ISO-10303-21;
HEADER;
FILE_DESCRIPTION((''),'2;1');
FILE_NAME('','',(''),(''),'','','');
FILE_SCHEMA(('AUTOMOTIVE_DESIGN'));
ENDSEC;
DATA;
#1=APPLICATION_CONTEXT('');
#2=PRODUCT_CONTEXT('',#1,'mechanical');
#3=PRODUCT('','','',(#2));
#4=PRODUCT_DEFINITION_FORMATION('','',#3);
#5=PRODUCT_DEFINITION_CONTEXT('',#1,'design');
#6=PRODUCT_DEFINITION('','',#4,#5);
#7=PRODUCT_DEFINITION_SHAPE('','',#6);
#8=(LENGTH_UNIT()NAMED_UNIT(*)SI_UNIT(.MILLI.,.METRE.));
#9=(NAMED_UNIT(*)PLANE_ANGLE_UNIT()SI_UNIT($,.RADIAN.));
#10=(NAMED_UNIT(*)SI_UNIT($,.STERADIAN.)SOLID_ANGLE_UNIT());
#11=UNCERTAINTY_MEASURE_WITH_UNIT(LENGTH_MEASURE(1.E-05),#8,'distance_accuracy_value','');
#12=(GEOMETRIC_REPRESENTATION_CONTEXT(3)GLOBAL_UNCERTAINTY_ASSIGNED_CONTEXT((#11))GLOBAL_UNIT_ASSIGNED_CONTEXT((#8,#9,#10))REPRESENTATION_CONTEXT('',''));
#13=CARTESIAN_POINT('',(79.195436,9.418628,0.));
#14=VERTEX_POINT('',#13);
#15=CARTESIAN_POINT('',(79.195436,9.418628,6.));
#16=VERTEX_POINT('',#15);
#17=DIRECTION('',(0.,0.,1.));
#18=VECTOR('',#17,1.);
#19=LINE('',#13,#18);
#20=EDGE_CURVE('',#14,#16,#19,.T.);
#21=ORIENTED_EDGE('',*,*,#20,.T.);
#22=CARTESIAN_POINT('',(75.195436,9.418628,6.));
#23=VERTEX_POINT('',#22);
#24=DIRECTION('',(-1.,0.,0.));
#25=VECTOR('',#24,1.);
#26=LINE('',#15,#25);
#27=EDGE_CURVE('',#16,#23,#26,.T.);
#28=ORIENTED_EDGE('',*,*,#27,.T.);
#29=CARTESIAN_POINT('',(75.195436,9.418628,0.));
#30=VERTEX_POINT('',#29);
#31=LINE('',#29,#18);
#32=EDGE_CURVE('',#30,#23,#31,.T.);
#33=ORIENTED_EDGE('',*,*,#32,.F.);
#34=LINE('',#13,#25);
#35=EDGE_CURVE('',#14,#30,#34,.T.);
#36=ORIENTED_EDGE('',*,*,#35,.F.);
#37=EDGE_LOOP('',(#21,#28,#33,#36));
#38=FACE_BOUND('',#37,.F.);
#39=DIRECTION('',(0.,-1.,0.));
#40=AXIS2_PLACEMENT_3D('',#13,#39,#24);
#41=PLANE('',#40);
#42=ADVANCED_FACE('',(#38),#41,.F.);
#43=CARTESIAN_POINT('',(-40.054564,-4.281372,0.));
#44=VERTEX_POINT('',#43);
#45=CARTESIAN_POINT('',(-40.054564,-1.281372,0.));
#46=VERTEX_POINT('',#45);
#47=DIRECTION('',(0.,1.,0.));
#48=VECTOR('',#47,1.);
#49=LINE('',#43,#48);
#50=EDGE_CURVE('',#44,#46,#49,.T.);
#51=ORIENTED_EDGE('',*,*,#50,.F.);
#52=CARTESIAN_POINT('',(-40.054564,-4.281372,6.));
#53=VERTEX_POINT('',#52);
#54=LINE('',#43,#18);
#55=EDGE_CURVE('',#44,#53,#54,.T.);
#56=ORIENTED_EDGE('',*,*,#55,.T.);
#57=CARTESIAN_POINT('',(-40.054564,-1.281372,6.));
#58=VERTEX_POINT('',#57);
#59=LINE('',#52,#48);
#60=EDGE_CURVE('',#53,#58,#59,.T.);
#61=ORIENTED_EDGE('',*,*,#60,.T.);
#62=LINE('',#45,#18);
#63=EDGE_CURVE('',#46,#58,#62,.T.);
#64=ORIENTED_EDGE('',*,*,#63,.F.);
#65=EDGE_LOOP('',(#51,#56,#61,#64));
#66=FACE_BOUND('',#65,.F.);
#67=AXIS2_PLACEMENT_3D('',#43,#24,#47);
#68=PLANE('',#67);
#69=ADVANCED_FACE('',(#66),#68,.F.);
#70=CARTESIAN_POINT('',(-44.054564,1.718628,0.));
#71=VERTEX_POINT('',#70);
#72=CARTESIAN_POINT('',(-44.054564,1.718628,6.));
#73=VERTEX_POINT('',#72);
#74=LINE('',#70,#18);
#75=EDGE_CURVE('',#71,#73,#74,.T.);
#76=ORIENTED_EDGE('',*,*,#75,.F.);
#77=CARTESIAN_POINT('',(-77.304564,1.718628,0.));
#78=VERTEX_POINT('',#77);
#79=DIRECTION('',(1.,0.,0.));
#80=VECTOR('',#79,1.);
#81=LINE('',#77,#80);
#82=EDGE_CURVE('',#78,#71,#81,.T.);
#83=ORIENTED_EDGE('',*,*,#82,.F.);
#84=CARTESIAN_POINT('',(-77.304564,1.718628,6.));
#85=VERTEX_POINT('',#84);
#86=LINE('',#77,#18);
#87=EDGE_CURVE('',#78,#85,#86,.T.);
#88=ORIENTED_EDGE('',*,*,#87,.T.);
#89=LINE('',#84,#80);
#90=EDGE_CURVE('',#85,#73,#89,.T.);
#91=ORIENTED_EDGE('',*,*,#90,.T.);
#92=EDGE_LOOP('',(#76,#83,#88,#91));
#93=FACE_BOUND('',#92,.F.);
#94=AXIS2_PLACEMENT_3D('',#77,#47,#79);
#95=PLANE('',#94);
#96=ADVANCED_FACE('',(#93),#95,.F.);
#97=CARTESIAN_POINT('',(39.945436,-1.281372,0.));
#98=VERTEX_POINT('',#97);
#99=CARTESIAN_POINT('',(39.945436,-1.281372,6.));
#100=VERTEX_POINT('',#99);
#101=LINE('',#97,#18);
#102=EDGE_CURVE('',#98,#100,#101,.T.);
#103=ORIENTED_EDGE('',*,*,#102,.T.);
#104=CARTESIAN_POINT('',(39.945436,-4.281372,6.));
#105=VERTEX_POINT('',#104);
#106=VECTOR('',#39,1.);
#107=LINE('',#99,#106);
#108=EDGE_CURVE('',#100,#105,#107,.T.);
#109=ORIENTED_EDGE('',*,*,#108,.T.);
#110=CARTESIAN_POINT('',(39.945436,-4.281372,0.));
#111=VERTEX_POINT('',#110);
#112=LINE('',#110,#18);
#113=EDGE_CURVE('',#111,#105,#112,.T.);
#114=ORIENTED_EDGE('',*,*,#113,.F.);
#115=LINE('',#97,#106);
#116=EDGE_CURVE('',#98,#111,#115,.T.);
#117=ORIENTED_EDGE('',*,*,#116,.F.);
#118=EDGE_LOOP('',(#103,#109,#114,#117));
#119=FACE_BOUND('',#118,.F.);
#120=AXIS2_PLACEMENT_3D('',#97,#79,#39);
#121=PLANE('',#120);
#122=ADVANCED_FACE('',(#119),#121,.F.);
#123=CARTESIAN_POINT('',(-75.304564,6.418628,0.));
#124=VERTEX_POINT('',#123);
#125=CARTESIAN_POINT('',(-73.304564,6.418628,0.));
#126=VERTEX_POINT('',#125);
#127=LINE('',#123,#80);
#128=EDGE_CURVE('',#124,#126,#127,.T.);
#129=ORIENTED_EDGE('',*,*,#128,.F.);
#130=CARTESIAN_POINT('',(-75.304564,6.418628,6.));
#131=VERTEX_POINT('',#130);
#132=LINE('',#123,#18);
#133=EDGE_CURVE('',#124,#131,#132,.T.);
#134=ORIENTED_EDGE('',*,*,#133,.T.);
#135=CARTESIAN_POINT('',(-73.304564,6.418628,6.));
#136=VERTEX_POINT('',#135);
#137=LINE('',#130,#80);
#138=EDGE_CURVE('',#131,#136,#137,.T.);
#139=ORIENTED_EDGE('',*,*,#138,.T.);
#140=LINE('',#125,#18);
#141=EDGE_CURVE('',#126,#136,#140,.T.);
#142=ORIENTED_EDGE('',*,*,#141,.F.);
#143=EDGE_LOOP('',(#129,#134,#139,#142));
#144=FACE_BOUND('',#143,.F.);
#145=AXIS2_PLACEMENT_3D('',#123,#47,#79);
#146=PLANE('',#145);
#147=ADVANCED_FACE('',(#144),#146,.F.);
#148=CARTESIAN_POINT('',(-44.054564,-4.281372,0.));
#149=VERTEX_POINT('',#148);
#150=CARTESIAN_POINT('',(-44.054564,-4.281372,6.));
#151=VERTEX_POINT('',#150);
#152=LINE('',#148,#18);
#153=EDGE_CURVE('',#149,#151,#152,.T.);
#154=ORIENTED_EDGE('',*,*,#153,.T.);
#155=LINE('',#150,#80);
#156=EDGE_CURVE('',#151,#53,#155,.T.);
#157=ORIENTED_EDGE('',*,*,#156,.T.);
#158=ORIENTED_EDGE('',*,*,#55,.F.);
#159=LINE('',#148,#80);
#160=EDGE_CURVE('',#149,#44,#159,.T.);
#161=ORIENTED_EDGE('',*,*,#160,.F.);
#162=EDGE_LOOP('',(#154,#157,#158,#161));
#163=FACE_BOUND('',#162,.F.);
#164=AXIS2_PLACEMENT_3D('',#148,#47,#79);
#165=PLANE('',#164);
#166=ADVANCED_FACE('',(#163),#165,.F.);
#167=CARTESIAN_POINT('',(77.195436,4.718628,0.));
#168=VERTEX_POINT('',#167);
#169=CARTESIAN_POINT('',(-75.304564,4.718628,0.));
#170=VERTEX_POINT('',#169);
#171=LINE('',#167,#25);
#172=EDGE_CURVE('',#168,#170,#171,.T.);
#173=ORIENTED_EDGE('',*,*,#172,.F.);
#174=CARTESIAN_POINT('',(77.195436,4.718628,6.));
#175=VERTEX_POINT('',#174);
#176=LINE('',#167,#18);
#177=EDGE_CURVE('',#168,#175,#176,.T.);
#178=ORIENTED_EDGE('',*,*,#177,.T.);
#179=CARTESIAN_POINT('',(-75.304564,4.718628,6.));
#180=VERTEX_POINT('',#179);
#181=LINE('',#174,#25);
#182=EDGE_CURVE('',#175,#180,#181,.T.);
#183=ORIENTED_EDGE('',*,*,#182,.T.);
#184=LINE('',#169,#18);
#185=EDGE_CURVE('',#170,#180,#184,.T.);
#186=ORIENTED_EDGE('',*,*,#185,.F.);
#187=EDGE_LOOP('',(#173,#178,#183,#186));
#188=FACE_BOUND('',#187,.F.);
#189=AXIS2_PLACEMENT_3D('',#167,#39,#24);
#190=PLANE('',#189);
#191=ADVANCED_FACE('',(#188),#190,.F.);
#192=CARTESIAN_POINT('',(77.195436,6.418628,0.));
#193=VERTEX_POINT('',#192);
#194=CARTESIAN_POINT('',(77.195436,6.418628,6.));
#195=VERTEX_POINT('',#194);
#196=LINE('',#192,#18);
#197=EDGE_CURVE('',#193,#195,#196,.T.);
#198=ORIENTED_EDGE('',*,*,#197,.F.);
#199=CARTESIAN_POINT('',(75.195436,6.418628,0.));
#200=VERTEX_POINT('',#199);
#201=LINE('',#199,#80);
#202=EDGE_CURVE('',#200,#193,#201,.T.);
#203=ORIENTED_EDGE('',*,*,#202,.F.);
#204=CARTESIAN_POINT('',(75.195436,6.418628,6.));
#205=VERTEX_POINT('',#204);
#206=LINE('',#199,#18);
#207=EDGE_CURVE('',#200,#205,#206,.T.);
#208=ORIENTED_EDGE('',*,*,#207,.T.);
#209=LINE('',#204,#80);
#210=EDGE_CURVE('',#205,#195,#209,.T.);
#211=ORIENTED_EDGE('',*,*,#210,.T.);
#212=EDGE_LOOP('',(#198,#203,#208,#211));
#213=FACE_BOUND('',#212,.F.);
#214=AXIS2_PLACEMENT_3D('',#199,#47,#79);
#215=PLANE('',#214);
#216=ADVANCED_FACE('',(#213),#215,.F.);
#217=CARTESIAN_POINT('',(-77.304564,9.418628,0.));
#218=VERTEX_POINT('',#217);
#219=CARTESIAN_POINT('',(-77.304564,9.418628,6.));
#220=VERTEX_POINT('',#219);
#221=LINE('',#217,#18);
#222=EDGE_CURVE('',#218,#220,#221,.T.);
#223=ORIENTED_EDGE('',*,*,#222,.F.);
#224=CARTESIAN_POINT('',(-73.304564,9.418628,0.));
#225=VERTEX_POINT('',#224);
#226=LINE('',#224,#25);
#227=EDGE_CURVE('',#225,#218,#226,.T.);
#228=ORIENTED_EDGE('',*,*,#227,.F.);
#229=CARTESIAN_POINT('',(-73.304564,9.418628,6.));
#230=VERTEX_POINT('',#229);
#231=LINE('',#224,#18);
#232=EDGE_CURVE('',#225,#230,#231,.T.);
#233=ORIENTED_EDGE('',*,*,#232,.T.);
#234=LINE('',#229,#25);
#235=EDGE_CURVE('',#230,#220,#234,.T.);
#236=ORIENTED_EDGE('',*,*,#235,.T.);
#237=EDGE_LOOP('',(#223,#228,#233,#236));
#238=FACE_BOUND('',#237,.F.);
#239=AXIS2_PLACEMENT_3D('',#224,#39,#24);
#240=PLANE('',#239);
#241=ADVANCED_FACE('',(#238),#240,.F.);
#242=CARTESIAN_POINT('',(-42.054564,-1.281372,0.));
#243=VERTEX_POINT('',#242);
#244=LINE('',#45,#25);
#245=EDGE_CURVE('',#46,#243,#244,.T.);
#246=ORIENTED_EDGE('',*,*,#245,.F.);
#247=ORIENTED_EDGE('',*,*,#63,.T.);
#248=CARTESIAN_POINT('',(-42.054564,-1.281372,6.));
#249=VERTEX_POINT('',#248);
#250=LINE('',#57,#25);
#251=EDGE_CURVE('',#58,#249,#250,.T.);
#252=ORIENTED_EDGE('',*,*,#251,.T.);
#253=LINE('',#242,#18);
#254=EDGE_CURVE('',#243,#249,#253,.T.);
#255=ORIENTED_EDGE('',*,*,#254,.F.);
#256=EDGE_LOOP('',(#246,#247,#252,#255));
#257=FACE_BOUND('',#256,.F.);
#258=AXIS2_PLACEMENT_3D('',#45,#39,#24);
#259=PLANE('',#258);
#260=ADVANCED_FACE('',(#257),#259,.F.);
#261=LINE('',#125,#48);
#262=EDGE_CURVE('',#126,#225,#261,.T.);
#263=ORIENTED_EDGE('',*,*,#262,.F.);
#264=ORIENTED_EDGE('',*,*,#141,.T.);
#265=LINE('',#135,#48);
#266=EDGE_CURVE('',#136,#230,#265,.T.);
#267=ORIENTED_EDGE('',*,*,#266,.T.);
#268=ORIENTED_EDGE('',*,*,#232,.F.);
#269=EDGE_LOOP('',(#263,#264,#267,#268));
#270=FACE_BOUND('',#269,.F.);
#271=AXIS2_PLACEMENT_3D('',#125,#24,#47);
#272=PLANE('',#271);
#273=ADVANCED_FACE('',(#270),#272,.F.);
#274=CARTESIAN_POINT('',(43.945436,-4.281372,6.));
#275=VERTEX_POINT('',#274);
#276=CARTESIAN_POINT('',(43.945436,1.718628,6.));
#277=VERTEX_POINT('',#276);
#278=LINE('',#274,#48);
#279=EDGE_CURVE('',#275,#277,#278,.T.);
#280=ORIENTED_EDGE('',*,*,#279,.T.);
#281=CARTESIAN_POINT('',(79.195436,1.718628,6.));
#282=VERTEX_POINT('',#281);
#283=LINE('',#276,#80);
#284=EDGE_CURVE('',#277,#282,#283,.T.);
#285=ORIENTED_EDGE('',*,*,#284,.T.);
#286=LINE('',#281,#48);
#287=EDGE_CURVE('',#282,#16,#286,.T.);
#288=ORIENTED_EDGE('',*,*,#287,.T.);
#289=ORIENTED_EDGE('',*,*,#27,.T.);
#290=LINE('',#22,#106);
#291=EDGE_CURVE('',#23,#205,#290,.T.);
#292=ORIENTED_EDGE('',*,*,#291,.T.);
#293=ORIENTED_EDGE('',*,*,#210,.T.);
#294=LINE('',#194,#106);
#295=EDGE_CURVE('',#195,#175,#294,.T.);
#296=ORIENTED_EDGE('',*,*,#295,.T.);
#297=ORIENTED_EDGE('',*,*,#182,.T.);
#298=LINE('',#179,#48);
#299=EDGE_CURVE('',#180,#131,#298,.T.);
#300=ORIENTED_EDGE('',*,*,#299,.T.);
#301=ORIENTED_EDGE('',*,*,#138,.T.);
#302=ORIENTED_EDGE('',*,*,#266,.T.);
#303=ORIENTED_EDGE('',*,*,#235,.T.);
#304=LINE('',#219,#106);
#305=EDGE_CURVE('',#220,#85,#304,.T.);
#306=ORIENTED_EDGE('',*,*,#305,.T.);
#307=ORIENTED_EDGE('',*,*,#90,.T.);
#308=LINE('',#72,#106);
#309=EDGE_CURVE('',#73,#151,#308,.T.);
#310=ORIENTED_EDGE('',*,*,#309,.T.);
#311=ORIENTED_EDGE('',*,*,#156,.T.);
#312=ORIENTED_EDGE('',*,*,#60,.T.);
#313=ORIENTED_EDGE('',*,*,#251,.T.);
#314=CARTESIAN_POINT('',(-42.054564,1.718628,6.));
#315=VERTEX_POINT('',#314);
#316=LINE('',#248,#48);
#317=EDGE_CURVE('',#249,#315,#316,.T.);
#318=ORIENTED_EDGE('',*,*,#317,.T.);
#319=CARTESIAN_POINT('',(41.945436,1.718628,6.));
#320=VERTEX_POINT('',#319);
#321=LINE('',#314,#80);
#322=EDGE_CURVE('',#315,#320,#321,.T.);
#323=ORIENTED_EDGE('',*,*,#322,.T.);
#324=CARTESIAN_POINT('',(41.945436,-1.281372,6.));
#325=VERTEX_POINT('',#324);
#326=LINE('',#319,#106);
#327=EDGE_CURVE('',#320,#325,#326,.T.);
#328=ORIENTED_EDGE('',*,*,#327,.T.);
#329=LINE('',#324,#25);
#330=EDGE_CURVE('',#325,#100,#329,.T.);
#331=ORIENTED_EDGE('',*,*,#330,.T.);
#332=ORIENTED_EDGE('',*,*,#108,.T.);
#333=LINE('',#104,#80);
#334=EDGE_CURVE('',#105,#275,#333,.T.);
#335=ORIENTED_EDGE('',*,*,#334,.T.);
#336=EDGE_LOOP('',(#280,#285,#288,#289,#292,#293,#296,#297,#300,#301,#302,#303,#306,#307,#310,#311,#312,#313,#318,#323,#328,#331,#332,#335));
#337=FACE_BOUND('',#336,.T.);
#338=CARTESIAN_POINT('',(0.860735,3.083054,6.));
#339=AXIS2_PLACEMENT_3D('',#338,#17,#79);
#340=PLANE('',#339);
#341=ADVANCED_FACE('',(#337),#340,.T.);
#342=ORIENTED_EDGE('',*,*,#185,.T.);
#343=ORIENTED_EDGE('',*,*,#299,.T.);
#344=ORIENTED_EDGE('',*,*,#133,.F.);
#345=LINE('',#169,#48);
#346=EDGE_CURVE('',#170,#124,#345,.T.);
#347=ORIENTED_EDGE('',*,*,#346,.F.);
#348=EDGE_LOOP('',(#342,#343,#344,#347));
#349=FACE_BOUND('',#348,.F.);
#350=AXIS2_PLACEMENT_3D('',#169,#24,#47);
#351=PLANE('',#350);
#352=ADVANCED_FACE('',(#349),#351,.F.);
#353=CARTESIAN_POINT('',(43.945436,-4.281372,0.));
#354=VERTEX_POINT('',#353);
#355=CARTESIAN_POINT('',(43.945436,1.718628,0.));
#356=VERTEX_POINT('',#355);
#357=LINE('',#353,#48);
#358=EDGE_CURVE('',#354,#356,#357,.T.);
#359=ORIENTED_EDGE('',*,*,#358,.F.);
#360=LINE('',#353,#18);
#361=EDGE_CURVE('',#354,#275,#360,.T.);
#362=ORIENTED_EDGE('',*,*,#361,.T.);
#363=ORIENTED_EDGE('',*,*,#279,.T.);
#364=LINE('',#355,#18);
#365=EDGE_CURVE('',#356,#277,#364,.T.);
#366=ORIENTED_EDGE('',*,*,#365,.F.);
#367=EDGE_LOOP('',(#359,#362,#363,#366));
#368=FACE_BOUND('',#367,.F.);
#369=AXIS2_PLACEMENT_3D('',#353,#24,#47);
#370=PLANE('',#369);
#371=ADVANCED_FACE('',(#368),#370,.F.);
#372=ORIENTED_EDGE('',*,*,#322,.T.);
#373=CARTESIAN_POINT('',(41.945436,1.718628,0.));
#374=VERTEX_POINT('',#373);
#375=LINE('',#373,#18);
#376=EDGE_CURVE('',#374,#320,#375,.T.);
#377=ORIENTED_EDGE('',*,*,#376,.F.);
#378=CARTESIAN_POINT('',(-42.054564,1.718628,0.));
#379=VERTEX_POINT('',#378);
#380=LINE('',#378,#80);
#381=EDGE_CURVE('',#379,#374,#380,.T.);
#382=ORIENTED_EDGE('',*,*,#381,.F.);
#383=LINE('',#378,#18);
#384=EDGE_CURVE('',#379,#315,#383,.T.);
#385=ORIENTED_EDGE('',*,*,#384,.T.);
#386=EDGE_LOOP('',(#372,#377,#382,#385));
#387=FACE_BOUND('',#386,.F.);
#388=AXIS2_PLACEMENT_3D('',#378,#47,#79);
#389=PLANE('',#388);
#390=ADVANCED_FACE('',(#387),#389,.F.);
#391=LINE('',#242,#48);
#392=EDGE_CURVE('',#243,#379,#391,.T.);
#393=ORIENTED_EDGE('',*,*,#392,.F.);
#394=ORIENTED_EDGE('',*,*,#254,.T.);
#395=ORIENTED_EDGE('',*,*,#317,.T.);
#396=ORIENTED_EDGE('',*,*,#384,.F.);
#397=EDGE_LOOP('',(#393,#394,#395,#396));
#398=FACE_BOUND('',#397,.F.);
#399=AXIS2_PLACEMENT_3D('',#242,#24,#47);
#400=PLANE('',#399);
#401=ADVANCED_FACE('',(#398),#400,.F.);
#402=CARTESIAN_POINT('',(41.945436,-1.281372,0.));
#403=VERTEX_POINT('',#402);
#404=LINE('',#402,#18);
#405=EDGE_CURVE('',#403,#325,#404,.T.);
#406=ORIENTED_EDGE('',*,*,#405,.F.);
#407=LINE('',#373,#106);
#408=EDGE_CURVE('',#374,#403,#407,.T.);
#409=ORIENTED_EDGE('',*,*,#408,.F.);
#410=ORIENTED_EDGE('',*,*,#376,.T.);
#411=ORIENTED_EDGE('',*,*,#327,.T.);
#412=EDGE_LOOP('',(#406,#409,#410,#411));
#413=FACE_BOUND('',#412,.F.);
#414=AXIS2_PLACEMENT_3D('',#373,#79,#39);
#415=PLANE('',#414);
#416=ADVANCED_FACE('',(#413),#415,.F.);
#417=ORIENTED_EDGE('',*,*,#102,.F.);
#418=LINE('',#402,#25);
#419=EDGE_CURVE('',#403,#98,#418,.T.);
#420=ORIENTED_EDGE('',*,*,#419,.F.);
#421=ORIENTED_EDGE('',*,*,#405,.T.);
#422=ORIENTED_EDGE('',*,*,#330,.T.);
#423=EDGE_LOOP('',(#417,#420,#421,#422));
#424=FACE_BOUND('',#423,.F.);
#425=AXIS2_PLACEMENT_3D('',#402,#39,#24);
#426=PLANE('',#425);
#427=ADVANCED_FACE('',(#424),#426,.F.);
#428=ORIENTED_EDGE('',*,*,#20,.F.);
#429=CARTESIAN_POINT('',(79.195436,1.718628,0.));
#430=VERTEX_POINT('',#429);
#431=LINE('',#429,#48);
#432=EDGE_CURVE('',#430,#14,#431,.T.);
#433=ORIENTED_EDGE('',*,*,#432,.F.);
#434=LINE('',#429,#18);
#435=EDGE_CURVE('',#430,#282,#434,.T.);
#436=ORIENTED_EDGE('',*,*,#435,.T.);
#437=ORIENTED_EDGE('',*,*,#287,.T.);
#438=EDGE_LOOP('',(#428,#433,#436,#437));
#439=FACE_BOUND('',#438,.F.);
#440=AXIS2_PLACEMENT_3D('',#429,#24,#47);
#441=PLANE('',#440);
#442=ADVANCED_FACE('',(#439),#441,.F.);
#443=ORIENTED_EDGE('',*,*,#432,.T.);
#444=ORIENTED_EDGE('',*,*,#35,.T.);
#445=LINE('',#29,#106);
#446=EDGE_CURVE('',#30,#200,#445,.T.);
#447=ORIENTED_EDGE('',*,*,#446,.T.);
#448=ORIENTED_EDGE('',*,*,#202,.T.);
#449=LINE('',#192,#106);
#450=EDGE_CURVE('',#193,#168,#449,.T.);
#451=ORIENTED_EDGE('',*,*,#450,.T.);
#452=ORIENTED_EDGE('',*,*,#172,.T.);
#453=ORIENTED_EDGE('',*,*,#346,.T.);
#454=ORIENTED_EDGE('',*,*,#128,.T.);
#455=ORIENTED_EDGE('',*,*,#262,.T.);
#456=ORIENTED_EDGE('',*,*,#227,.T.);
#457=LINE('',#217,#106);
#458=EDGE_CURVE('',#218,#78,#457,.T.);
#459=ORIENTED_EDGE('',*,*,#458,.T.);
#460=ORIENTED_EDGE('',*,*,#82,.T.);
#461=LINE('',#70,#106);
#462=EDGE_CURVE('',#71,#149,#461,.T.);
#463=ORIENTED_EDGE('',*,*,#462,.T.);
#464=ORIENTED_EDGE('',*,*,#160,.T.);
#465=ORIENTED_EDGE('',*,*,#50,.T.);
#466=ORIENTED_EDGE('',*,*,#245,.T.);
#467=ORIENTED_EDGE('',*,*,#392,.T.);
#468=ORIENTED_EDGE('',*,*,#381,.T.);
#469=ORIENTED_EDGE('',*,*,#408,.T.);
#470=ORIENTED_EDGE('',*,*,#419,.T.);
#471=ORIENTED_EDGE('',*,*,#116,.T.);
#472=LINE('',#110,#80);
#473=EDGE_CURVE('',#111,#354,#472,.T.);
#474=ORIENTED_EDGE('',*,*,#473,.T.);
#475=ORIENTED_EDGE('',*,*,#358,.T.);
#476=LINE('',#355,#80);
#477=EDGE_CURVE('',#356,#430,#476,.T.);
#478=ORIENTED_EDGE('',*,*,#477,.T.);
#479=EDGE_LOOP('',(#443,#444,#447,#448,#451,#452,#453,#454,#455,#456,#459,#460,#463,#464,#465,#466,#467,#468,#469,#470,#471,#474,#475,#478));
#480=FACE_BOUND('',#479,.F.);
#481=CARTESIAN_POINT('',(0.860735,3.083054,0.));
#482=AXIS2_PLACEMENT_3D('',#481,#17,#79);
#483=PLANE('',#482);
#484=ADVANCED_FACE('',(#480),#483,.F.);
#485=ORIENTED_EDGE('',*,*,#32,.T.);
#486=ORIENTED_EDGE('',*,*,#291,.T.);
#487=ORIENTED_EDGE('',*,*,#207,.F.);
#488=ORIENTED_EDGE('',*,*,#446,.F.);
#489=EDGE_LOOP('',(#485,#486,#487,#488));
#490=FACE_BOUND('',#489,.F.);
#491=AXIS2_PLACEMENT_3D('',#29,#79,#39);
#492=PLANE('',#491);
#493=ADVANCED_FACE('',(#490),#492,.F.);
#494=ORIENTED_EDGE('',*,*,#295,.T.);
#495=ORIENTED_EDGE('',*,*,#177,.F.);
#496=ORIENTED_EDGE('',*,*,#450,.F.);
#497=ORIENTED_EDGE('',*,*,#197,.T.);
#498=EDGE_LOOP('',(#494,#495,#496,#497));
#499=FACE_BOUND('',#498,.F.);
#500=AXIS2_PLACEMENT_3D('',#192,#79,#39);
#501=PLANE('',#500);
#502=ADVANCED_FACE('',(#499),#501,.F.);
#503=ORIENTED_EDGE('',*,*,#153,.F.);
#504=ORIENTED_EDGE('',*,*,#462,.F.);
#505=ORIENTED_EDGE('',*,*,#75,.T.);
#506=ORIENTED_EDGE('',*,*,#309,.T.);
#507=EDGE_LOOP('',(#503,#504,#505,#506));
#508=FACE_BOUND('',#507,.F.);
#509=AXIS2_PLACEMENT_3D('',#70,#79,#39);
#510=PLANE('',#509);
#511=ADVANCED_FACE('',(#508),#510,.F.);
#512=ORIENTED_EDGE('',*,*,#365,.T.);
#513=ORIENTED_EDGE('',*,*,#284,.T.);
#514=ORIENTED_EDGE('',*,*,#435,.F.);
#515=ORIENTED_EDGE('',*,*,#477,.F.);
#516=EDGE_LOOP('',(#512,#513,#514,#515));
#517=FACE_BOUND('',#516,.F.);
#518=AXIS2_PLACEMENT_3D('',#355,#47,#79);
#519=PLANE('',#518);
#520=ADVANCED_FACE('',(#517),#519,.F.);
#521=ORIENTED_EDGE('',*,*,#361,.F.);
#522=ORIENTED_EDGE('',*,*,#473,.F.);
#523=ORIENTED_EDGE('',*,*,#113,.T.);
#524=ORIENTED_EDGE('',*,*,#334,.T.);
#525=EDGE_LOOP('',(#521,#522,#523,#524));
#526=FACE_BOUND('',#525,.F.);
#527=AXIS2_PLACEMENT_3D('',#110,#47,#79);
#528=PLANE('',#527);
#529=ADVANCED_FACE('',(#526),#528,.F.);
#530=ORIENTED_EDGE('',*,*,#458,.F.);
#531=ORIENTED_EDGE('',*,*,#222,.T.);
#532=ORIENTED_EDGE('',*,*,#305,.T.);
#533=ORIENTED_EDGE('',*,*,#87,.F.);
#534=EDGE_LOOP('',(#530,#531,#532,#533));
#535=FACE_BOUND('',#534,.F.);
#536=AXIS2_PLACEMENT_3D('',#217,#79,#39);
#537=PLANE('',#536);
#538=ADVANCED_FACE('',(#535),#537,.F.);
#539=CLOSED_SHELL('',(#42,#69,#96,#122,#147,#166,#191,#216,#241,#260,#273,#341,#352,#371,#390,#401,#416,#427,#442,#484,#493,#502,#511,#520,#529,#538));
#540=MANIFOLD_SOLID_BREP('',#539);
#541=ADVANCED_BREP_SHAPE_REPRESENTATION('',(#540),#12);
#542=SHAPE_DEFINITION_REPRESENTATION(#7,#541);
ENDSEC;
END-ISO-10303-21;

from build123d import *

# Parameters (mm, degrees)
F1_DEPTH = 6


with BuildPart() as f1:
    # F0 (on Top) → F1 (new body)
    with BuildSketch(Plane.XY):
        Polygon((-73.304564, 6.418628), (-73.304564, 9.418628), (-77.304564, 9.418628), (-77.304564, 1.718628), (-44.054564, 1.718628), (-44.054564, -4.281372), (-40.054564, -4.281372), (-40.054564, -1.281372), (-42.054564, -1.281372), (-42.054564, 1.718628), (41.945436, 1.718628), (41.945436, -1.281372), (39.945436, -1.281372), (39.945436, -4.281372), (43.945436, -4.281372), (43.945436, 1.718628), (79.195436, 1.718628), (79.195436, 9.418628), (75.195436, 9.418628), (75.195436, 6.418628), (77.195436, 6.418628), (77.195436, 4.718628), (-75.304564, 4.718628), (-75.304564, 6.418628), align=None)
    extrude(amount=F1_DEPTH)


solid = f1.part
